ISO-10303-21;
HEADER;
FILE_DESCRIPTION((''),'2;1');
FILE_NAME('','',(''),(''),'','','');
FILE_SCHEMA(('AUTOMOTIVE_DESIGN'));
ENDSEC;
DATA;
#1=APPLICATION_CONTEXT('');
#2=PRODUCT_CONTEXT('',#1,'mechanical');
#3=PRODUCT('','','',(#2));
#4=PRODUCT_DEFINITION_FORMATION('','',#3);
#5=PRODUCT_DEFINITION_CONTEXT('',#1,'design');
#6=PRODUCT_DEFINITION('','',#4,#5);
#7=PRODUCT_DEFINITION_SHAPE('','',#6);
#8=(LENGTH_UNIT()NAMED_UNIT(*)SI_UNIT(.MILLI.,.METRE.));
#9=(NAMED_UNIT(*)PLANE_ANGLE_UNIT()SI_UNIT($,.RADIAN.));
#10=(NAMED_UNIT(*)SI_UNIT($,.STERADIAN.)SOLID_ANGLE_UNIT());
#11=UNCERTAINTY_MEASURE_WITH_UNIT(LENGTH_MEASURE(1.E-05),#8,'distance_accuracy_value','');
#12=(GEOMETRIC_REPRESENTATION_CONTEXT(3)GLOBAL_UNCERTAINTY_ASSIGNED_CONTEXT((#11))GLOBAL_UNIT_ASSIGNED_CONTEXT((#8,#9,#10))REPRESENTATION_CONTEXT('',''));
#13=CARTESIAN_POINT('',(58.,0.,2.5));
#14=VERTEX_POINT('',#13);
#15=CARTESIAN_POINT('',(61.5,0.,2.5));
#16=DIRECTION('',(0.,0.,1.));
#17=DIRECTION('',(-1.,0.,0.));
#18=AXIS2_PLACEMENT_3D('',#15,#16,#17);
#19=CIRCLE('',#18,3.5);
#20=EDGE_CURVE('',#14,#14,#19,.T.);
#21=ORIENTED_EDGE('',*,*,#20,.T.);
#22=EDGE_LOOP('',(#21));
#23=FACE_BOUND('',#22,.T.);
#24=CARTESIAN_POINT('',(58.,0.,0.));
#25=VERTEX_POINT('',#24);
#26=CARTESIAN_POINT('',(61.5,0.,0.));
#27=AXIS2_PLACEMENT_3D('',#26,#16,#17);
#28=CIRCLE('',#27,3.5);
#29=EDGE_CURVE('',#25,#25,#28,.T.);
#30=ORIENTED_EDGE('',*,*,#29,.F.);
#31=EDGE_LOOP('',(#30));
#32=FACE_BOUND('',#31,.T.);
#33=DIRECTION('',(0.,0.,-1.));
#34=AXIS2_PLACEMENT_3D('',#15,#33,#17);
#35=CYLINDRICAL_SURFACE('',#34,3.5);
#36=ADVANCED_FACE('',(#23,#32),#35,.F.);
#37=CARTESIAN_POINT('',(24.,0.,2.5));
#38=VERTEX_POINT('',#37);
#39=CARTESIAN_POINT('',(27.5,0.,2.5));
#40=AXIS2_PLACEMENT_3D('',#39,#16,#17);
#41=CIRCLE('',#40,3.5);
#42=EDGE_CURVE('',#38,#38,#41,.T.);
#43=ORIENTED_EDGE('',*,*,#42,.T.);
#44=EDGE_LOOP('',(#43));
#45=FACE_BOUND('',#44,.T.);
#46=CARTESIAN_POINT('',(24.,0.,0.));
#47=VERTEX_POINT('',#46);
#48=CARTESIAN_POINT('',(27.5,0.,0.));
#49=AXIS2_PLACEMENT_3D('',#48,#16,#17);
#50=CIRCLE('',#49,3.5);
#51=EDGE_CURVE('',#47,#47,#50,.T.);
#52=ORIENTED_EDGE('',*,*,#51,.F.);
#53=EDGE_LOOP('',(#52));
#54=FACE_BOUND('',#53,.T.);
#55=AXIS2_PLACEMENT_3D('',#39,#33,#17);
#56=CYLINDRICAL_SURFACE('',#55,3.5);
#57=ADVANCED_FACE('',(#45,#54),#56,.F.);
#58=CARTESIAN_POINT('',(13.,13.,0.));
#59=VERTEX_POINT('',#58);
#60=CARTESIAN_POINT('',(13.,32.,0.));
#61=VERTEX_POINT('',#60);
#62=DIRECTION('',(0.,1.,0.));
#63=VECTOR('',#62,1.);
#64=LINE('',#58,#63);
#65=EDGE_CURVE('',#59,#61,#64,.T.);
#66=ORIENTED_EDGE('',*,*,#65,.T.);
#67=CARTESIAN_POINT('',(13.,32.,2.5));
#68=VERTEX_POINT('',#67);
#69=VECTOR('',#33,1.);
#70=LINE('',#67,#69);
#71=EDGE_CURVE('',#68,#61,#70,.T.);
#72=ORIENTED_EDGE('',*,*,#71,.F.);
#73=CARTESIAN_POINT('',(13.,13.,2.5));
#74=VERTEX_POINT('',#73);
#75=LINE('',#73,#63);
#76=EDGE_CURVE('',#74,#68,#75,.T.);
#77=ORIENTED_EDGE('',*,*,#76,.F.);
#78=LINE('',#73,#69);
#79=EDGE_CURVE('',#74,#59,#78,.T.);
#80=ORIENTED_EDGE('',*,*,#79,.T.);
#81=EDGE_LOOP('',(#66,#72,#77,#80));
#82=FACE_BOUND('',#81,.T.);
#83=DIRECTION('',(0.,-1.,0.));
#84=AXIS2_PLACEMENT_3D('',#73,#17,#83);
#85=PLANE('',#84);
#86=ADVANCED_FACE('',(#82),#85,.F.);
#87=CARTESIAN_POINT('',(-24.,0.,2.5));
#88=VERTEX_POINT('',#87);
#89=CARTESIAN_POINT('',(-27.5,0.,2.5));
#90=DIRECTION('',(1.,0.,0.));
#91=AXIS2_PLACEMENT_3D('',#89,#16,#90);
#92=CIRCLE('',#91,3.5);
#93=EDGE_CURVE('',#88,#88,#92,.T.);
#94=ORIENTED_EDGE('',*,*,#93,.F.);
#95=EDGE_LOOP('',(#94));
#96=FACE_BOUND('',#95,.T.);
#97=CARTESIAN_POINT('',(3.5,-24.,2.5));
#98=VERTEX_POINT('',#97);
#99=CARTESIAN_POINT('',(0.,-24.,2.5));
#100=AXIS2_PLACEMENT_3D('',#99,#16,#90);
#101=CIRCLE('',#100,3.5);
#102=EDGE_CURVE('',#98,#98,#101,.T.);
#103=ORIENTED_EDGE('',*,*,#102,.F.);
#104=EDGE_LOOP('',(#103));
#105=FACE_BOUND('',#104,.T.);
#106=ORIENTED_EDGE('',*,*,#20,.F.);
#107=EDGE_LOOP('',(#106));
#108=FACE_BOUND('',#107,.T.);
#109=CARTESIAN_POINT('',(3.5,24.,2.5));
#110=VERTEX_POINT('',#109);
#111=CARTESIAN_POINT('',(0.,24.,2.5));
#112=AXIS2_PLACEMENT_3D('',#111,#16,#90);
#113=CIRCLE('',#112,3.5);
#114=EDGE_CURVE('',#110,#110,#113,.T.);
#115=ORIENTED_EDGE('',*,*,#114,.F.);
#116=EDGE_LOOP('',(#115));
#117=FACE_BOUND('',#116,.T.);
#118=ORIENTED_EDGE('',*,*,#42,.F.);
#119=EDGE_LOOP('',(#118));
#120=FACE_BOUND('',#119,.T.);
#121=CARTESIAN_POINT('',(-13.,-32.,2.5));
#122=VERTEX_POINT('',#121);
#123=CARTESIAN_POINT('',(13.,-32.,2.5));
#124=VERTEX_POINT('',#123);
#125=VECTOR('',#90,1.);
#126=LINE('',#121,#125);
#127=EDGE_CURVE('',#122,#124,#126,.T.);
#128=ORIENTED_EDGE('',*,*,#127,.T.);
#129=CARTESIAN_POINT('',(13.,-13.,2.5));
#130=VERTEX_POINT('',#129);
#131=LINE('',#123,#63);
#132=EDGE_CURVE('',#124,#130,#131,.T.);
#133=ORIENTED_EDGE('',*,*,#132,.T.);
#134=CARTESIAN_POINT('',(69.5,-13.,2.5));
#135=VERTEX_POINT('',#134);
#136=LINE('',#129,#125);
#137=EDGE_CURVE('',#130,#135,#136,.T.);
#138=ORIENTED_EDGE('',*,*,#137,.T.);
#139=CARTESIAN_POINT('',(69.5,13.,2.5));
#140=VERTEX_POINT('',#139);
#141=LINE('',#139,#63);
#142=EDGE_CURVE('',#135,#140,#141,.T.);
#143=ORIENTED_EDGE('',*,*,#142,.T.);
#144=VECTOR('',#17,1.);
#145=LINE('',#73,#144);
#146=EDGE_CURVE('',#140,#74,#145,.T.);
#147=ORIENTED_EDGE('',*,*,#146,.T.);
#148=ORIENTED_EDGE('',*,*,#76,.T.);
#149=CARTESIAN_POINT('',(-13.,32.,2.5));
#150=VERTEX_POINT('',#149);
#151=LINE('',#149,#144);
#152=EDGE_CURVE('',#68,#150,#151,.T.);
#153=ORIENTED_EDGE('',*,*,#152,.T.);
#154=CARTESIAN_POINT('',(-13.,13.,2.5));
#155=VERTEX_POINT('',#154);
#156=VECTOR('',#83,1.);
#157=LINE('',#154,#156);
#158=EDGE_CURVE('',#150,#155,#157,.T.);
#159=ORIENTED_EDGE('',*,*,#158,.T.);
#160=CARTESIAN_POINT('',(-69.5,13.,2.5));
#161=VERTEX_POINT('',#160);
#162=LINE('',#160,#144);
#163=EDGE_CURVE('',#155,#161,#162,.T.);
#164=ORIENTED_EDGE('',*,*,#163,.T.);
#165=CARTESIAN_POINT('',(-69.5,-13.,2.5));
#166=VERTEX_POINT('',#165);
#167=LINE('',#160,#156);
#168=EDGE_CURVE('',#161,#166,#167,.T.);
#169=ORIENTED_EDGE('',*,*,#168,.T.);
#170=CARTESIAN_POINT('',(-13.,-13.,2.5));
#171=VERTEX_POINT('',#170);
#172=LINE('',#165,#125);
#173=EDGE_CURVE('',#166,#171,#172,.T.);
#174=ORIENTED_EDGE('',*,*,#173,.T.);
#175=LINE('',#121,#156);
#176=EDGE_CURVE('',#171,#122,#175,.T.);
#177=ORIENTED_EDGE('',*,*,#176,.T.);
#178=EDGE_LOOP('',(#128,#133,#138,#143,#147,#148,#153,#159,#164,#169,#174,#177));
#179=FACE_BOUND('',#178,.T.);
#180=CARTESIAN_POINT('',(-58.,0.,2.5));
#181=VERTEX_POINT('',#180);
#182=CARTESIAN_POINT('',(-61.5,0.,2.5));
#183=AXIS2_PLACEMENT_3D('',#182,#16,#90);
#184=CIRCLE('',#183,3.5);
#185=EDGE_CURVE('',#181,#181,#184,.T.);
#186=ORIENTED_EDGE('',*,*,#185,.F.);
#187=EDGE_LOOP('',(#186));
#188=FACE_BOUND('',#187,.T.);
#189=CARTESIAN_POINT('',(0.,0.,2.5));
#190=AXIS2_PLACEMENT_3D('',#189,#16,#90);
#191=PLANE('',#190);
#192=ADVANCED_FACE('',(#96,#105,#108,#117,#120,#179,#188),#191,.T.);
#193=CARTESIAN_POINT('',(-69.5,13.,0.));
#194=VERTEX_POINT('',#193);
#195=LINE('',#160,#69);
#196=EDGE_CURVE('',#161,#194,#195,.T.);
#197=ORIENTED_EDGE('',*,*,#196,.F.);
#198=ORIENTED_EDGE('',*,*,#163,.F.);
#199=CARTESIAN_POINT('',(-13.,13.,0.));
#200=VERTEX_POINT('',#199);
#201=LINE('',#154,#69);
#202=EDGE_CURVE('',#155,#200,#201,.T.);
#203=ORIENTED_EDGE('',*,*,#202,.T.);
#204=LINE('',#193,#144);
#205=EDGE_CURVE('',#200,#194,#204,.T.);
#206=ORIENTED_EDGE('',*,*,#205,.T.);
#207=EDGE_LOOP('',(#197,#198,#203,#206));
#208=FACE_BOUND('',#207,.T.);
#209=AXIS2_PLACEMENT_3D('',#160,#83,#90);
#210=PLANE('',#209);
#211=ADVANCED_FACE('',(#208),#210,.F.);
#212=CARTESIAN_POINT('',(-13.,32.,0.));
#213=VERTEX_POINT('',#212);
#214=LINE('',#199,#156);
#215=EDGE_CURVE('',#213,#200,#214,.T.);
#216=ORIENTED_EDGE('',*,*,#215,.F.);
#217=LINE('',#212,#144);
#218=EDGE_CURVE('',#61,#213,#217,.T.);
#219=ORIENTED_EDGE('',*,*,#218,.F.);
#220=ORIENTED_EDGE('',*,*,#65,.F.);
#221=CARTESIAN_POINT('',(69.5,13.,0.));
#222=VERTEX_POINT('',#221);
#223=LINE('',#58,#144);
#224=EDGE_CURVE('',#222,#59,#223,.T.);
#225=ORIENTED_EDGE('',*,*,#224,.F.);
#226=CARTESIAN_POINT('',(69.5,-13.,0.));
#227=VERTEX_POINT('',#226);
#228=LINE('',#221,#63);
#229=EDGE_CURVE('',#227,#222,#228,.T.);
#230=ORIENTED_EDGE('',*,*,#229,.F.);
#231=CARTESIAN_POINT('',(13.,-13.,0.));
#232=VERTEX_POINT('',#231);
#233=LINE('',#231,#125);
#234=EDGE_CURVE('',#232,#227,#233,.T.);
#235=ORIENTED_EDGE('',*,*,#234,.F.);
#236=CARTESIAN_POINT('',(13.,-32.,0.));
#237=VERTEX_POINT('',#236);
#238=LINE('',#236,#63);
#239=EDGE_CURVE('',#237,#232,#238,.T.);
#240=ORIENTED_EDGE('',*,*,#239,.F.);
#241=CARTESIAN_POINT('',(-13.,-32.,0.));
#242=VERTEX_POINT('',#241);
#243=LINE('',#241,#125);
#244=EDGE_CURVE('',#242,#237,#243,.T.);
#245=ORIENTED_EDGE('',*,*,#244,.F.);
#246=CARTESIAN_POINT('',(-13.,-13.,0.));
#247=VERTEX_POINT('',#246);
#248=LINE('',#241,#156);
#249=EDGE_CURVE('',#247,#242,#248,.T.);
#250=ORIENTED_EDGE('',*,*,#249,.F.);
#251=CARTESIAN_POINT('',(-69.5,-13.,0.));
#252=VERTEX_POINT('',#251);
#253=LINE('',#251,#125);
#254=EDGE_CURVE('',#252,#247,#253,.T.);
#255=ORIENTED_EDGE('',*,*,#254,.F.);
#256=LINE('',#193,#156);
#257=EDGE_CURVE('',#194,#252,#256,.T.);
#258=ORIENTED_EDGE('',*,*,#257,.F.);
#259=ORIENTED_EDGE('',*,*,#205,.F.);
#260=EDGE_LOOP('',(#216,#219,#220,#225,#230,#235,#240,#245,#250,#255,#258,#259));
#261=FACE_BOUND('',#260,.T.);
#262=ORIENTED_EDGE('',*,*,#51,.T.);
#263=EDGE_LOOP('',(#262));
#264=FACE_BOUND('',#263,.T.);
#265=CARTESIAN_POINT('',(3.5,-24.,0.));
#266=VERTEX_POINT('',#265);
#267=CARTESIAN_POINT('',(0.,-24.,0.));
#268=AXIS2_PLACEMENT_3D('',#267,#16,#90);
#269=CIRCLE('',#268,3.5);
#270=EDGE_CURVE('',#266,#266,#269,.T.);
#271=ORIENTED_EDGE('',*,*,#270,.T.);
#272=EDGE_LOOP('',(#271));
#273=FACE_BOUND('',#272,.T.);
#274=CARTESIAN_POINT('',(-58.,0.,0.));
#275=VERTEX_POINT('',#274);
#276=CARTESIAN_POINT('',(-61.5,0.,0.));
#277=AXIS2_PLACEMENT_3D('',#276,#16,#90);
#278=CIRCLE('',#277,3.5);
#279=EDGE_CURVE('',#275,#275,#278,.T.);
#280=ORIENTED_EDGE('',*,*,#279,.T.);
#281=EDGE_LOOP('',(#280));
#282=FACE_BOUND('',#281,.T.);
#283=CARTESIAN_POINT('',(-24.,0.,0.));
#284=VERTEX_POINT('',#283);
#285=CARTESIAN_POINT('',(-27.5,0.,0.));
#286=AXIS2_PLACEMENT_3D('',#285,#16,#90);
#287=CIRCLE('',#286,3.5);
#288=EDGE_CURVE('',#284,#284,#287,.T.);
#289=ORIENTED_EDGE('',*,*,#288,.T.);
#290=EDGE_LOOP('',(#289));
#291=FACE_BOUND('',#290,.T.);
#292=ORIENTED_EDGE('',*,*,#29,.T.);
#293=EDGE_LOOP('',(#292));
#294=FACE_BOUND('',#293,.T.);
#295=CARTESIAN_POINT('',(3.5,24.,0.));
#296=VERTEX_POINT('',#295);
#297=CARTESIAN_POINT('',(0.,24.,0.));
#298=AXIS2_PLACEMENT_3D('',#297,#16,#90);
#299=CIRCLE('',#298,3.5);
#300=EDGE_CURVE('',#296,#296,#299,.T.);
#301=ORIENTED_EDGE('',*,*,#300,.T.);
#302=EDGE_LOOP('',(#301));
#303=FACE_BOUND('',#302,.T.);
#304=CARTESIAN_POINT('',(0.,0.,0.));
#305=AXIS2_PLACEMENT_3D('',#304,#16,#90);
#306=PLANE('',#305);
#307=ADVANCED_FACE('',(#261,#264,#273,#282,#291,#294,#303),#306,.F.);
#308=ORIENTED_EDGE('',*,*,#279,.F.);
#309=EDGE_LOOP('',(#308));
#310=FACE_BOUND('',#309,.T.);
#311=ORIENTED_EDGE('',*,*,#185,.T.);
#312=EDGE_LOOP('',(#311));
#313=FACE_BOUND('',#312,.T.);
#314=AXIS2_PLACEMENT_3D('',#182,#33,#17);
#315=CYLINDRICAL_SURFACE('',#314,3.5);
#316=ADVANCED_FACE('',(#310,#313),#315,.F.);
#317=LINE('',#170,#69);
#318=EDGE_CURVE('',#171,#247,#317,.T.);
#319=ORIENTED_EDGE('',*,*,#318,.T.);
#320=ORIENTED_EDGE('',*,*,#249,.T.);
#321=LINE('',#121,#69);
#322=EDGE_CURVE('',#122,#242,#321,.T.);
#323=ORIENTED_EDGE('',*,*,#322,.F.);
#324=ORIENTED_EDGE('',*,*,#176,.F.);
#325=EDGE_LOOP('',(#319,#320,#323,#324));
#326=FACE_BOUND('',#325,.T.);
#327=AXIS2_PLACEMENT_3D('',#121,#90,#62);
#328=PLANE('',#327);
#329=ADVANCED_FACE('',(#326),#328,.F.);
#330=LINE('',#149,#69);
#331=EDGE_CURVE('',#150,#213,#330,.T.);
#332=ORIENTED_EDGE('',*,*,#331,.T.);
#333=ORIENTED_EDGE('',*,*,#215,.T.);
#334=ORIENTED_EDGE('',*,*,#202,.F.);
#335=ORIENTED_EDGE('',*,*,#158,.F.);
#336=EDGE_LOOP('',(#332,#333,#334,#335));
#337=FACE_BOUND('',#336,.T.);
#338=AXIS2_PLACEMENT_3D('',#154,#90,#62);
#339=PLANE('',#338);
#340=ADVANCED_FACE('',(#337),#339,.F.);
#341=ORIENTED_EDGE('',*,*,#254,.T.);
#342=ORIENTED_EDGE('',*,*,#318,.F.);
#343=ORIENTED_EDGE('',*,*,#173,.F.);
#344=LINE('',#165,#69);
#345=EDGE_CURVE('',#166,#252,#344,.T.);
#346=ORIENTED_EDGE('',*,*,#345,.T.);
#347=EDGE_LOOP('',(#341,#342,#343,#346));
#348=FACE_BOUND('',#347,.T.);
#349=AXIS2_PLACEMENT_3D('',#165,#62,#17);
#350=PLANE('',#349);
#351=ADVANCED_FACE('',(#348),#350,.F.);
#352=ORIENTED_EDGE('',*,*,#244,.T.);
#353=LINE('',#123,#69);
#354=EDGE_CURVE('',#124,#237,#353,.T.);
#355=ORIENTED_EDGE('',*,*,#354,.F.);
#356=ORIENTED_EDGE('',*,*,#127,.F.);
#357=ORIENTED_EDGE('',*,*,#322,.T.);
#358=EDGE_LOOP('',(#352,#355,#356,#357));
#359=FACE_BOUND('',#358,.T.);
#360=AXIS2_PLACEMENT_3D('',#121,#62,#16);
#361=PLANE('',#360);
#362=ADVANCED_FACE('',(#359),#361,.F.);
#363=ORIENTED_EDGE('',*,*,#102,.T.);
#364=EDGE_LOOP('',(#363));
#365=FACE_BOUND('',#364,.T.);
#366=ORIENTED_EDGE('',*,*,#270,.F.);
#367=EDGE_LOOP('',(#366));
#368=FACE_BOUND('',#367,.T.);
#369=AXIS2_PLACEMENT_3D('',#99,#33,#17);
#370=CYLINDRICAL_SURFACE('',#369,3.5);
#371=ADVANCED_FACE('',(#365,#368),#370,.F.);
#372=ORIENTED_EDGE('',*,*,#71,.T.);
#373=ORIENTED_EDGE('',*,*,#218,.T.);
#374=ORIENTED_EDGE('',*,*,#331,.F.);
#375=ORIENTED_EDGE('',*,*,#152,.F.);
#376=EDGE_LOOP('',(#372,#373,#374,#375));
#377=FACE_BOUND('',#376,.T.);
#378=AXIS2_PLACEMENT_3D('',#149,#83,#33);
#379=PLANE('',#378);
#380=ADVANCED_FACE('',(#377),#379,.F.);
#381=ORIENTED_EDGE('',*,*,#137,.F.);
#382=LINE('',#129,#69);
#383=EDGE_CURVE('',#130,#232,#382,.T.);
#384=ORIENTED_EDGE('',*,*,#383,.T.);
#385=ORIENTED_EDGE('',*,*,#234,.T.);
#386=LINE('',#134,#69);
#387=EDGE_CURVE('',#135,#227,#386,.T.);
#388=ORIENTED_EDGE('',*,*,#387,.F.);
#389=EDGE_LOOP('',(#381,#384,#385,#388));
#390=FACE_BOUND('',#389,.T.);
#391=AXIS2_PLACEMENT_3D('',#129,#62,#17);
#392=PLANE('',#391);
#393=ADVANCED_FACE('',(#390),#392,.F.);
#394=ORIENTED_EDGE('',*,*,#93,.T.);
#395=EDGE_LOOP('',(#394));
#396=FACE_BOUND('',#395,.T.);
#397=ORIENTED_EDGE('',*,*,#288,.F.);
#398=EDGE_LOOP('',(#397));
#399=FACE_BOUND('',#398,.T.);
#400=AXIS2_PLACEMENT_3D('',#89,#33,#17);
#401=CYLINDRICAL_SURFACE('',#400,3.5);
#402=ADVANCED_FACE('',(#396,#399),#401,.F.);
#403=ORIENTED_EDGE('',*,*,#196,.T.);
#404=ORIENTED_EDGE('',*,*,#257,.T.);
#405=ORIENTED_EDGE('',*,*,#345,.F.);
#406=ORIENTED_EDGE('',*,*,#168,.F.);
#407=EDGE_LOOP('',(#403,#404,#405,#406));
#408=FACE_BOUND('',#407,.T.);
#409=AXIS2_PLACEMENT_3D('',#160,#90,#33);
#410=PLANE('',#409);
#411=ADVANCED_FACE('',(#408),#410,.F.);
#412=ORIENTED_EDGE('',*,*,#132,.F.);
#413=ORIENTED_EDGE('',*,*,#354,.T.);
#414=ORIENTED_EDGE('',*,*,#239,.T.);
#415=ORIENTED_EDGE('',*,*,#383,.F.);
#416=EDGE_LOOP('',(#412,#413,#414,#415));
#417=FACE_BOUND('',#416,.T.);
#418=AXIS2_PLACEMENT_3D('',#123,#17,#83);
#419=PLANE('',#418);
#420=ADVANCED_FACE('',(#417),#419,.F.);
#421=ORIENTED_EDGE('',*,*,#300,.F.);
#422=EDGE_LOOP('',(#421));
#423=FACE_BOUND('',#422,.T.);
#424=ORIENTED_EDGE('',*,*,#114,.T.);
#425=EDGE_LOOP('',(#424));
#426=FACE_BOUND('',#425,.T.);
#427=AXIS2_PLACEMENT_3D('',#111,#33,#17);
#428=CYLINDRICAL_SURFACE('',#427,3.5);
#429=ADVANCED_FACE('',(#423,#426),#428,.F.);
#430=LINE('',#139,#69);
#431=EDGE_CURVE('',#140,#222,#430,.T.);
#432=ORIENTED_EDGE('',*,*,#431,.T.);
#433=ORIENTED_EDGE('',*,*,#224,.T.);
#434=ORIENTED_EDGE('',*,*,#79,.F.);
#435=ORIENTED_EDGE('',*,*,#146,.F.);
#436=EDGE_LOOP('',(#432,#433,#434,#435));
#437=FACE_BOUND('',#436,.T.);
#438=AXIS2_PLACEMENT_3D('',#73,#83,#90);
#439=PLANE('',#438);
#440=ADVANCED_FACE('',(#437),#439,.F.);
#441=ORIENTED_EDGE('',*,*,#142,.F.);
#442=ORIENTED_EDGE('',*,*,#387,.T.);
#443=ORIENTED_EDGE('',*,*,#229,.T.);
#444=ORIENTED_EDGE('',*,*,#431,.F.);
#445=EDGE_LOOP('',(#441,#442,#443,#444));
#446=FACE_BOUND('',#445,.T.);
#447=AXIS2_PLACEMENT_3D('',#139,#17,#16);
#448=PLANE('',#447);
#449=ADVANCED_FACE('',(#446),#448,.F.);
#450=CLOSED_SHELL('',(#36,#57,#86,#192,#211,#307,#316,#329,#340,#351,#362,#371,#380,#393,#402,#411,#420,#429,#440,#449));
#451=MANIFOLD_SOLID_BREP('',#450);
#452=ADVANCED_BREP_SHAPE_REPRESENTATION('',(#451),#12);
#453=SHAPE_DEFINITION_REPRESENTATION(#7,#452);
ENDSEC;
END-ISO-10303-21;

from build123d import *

# Parameters (mm, degrees)
SKETCH_1_R      = 3.5
EXTRUDE_1_DEPTH = 2.5


with BuildPart() as part:
    # Эскиз1 → Бобышка-Вытянуть1 (new body)
    with BuildSketch(Plane.XY):
        Polygon((13, -13), (69.5, -13), (69.5, 13), (13, 13), (13, 32), (-13, 32), (-13, 13), (-69.5, 13), (-69.5, -13), (-13, -13), (-13, -32), (13, -32), align=None)
        with Locations((0, 24)):
            Circle(SKETCH_1_R, mode=Mode.SUBTRACT)
        with Locations((0, -24)):
            Circle(SKETCH_1_R, mode=Mode.SUBTRACT)
        with Locations((-61.5, 0)):
            Circle(SKETCH_1_R, mode=Mode.SUBTRACT)
        with Locations((-27.5, 0)):
            Circle(SKETCH_1_R, mode=Mode.SUBTRACT)
        with Locations(Location((27.5, 0, 0), (0, 0, 180))):  # turned: the seam where the file's is
            Circle(SKETCH_1_R, mode=Mode.SUBTRACT)
        with Locations(Location((61.5, 0, 0), (0, 0, 180))):  # turned: the seam where the file's is
            Circle(SKETCH_1_R, mode=Mode.SUBTRACT)
    extrude(amount=EXTRUDE_1_DEPTH)


solid = part.part
